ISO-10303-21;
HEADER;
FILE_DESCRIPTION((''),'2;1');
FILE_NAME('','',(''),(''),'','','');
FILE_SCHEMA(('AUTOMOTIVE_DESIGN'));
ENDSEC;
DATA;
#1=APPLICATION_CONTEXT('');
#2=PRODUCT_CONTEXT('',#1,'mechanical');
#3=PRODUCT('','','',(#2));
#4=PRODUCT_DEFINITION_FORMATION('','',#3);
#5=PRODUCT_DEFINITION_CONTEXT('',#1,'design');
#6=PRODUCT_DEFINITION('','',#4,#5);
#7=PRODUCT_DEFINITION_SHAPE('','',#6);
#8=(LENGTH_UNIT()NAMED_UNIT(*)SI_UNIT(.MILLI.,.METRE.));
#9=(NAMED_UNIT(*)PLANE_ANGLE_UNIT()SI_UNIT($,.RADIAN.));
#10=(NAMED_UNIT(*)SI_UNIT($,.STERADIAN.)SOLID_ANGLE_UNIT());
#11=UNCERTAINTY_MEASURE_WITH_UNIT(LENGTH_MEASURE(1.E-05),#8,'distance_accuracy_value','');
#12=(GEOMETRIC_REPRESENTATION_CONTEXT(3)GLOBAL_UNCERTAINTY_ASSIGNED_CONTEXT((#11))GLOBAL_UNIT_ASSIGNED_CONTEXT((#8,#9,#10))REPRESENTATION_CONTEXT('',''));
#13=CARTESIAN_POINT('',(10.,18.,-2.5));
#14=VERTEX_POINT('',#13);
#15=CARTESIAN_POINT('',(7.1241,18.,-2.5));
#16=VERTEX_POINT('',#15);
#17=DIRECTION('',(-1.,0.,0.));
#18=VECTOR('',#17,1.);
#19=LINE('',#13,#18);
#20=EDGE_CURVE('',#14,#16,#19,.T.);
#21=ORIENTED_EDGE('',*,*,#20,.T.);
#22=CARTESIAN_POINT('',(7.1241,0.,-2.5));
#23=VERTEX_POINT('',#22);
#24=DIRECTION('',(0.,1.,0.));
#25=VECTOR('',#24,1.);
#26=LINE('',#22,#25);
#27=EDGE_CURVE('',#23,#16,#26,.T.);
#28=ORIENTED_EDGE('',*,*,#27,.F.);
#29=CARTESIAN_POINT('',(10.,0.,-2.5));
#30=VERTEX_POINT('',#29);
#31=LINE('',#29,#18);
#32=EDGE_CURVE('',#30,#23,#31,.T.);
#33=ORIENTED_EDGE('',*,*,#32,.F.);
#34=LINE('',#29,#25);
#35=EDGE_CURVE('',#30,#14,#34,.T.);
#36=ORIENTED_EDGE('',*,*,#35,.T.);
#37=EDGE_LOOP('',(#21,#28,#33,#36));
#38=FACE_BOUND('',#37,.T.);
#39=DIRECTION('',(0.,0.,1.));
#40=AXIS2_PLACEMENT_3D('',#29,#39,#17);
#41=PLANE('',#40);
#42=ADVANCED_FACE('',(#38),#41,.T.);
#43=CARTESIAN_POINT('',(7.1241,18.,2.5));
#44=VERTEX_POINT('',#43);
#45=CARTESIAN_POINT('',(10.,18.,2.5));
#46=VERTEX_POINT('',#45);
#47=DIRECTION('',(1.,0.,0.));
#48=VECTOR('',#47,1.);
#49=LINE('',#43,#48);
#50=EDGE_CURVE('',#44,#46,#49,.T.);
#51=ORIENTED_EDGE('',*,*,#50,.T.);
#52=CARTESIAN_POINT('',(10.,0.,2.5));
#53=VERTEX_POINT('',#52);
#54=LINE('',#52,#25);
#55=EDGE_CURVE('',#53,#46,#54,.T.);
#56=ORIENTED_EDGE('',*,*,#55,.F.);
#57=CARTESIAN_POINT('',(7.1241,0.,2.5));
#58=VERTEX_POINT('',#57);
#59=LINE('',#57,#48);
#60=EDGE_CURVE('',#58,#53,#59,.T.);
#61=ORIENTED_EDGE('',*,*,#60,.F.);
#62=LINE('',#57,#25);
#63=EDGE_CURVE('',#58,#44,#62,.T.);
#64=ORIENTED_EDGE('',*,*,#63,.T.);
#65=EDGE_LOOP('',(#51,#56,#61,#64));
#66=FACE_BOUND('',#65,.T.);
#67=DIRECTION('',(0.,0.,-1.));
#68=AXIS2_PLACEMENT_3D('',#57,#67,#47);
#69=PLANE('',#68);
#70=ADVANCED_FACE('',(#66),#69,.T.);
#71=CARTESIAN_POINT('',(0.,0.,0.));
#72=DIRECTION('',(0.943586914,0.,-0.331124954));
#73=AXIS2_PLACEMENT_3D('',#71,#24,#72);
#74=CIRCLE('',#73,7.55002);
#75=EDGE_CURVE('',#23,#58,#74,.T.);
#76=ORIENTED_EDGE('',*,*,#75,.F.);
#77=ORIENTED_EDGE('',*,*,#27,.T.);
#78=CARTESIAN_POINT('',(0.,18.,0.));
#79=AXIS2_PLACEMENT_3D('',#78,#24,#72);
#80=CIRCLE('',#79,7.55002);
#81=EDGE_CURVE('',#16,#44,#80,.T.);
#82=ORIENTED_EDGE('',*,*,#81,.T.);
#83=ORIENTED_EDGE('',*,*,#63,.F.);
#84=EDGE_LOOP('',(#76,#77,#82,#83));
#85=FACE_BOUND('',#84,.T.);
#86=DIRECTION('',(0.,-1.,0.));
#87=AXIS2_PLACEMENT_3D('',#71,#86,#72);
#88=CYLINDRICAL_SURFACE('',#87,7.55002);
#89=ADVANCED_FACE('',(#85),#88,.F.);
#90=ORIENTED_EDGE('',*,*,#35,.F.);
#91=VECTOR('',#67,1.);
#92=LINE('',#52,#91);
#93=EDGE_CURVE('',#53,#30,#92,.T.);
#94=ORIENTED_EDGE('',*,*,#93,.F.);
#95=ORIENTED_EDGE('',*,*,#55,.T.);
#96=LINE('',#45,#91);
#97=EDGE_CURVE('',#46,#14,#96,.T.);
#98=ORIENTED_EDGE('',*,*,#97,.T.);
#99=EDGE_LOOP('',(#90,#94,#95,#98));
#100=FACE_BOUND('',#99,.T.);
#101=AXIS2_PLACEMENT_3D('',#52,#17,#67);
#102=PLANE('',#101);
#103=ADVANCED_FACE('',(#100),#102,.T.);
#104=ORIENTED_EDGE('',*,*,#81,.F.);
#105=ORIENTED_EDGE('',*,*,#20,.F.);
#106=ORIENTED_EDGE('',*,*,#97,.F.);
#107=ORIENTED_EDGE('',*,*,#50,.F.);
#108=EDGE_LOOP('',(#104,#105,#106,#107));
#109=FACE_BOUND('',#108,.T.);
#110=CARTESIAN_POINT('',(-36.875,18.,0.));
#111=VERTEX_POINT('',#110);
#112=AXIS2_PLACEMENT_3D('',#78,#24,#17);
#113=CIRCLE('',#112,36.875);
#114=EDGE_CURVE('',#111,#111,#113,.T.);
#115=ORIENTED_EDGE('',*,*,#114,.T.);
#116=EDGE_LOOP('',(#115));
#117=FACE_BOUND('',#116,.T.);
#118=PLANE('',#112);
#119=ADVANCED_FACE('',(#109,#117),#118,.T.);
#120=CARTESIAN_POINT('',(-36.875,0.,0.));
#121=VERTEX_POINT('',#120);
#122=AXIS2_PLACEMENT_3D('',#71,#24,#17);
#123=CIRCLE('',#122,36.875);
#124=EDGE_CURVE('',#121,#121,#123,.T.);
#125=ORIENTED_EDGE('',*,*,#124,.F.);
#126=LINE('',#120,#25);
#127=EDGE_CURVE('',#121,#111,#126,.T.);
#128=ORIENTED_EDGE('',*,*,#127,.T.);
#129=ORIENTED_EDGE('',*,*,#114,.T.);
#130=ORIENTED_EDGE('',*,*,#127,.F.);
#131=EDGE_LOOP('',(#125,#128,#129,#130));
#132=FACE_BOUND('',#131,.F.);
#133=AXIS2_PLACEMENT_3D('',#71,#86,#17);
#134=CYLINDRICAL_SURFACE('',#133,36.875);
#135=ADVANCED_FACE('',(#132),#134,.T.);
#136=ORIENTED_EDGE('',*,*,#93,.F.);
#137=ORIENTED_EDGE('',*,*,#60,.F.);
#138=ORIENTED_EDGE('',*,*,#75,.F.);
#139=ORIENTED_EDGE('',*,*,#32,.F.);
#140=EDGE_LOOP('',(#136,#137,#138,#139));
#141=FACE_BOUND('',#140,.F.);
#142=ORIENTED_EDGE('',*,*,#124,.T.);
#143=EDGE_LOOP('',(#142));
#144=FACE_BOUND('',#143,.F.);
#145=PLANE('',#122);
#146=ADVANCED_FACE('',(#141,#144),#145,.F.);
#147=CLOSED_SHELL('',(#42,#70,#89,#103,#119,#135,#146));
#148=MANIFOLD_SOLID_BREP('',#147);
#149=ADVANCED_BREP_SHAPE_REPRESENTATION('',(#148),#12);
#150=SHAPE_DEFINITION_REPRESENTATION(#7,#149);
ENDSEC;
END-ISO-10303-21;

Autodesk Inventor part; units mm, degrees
ref_plane "YZ Plane" through (0, 0, 0) normal (1, 0, 0) x (0, 1, 0)
ref_plane "XZ Plane" through (0, 0, 0) normal (0, 1, 0) x (-1, 0, 0)
ref_plane "XY Plane" through (0, 0, 0) normal (0, 0, 1) x (1, 0, 0)
sketch "Sketch1" plane through (0, 0, 0) normal (0, 1, 0) x (-1, 0, 0)
  arc A0 (-7.1241, -2.5) -> (-7.1241, 2.5) centre (0, 0) ccw
  circle A1 centre (0, 0) radius 36.875
  line L0 (-7.1241, 2.5) -> (-10, 2.5)
  line L1 (-10, 2.5) -> (-10, -2.5)
  line L2 (-10, -2.5) -> (-7.1241, -2.5)
  line L3 (1.186, 0) -> (-1.186, 0) construction
  line L4 (0, -1.583) -> (0, 1.583) construction
  dimension "d0" = 15.1
  dimension "d1" = 73.75
  dimension "d2" = 5
  dimension "d3" = 10
extrude "Extrusion1" add sketch "Sketch1" along normal blind 18
properties part number "FlanschV2"
